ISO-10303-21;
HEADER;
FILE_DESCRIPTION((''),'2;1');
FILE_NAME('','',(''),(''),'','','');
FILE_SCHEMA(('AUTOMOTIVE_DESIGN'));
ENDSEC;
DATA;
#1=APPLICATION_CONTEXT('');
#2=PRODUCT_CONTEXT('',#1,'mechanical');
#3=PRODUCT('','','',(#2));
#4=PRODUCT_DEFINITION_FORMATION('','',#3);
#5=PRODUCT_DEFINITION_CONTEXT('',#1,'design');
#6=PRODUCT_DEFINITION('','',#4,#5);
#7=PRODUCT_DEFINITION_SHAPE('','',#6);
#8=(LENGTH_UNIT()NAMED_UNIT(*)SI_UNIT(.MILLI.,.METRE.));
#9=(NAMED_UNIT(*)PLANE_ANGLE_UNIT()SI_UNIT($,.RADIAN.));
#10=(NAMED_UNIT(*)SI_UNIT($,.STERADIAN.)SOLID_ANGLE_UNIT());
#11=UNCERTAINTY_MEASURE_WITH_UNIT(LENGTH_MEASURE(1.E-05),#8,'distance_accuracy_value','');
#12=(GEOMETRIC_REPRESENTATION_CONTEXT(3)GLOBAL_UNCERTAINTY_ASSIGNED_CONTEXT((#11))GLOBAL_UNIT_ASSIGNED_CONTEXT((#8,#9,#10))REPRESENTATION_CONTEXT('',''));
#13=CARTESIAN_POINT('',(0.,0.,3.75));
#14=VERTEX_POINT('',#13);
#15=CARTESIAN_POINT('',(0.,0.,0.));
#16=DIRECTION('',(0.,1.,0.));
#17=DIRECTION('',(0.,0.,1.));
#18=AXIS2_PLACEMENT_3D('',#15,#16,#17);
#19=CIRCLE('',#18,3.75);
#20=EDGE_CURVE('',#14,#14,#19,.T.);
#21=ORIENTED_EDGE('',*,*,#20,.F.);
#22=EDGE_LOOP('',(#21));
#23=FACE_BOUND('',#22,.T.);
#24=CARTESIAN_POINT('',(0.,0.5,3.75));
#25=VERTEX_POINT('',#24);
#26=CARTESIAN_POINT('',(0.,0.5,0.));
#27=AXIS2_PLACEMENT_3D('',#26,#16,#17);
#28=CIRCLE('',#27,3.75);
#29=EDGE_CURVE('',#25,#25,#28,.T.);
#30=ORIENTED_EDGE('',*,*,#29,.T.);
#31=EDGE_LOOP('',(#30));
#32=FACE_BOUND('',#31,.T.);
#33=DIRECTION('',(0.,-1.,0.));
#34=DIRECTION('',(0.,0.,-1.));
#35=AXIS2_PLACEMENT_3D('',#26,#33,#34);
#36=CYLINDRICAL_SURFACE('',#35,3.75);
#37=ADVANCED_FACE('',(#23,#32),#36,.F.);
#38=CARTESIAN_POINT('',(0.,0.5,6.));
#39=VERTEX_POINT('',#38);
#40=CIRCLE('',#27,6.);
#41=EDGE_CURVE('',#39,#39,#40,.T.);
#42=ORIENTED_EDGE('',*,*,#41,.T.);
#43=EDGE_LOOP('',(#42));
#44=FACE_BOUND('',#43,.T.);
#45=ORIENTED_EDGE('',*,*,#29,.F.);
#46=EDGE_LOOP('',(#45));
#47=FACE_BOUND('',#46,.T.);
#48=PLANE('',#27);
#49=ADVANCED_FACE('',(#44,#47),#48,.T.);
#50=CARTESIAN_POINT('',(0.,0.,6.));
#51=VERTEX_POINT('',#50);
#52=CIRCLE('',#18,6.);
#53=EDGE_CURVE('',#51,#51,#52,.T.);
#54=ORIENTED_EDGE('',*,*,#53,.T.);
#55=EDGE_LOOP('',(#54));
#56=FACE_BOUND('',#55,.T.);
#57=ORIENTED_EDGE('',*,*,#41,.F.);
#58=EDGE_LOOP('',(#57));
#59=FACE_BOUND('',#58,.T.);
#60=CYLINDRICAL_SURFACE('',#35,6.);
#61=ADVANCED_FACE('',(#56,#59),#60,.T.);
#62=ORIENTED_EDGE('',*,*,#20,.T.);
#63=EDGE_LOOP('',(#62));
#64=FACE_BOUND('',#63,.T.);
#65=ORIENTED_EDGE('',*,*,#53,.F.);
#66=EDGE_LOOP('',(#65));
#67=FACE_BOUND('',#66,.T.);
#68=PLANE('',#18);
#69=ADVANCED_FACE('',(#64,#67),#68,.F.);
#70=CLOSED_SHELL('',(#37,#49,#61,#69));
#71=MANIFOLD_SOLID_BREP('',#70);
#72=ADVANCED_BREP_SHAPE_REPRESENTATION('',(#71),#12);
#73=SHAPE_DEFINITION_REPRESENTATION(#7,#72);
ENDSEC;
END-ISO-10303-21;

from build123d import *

# Parameters (mm, degrees)
CROQUIS1_R              = 6
CROQUIS1_R_2            = 3.75
SALIENTE_EXTRUIR1_DEPTH = 0.5


with BuildPart() as part:
    # Croquis1 → Saliente-Extruir1 (new body)
    with BuildSketch(Plane(origin=(0, 0, 0), x_dir=(1, 0, 0), z_dir=(0, 1, 0))):
        with Locations(Location((0, 0, 0), (0, 0, 270))):
            Circle(CROQUIS1_R)
        with Locations(Location((0, 0, 0), (0, 0, 270))):
            Circle(CROQUIS1_R_2, mode=Mode.SUBTRACT)
    extrude(amount=SALIENTE_EXTRUIR1_DEPTH)


solid = part.part
